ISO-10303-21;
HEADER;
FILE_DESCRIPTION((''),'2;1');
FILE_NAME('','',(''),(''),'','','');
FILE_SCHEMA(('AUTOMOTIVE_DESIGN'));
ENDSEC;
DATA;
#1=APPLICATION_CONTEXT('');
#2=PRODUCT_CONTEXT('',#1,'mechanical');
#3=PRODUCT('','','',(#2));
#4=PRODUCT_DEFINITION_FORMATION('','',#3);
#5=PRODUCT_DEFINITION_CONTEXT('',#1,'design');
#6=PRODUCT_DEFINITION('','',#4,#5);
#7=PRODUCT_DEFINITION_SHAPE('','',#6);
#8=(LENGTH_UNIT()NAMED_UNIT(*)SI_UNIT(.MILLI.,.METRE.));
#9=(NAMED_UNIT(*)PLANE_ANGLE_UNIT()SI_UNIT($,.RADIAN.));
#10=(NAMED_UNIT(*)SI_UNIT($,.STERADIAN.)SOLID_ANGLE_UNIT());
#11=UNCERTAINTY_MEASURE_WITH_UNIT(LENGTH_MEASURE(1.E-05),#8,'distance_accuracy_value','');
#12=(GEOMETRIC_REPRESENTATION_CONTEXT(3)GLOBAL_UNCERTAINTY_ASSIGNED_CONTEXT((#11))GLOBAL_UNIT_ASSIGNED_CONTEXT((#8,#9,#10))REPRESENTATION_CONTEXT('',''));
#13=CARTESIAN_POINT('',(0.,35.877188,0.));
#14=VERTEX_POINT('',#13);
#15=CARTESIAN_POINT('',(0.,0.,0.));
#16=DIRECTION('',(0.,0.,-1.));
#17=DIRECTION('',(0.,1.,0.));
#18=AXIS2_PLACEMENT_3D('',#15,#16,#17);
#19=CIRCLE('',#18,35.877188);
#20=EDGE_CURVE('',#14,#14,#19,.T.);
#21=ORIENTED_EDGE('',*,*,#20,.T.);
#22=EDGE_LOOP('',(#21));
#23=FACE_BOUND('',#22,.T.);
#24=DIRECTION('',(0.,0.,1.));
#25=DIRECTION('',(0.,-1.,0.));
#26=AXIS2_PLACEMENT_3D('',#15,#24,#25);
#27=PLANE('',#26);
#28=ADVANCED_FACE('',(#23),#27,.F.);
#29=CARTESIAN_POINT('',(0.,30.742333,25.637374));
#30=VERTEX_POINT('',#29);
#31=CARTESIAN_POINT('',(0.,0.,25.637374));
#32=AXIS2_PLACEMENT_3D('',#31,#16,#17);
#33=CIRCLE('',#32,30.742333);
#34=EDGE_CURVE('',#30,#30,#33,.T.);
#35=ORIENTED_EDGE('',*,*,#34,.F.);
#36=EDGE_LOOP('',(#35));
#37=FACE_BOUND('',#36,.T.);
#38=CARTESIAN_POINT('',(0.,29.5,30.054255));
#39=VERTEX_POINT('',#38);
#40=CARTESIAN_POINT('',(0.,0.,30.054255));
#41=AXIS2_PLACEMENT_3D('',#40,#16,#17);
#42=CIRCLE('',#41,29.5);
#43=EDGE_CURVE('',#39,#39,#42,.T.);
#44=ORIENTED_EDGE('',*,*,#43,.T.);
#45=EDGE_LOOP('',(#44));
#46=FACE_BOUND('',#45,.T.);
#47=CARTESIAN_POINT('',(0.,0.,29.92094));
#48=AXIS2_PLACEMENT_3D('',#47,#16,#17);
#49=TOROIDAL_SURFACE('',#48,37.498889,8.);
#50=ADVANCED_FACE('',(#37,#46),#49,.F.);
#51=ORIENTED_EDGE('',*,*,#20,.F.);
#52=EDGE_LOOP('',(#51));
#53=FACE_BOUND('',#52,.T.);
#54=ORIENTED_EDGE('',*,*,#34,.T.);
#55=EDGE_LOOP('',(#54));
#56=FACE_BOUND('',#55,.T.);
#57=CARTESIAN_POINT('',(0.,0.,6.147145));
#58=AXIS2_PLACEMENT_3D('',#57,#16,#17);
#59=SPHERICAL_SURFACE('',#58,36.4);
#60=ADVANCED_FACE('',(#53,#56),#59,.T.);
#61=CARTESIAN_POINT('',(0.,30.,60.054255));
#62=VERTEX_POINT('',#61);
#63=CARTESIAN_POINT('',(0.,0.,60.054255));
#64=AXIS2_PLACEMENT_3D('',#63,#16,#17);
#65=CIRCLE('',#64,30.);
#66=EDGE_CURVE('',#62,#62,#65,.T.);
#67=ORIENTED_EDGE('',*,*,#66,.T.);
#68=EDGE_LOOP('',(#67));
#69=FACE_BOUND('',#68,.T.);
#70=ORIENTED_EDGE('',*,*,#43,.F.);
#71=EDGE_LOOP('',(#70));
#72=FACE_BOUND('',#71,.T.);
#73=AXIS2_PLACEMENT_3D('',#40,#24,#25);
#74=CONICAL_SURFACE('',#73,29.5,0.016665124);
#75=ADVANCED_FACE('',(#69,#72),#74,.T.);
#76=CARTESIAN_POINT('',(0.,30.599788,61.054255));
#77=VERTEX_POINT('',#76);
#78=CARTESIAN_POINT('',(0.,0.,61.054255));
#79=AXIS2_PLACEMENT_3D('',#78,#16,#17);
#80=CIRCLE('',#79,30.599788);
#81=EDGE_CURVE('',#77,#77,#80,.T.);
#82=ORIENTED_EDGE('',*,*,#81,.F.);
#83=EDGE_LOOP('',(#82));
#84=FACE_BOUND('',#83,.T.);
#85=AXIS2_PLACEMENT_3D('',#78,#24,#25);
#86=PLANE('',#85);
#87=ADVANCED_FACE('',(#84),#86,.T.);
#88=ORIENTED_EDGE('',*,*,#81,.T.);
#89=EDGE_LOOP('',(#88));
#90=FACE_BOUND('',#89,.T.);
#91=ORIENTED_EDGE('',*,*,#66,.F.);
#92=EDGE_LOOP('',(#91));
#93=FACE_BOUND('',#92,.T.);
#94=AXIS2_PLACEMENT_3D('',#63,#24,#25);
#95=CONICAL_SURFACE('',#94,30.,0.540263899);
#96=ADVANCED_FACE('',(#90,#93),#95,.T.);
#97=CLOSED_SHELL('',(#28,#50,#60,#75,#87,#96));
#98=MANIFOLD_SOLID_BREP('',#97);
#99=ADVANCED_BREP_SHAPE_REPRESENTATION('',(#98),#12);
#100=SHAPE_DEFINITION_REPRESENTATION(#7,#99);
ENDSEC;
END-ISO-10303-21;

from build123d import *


with BuildPart() as part:
    # Sketch1 → Revolve1 (revolve)
    with BuildSketch(Plane(origin=(0, 0, 0), x_dir=(0, 0, -1), z_dir=(1, 0, 0))):
        with BuildLine():
            Line((0, 0), (-50.959835356, 0))
            Line((-50.959835356, 0), (-61.054255014, 0))
            Line((-61.054255014, 0), (-61.054255014, 30.599788402))
            Line((-61.054255014, 30.599788402), (-60.054255014, 30))
            Line((-60.054255014, 30), (-30.054255014, 29.5))
            ThreePointArc((-30.054255014, 29.5), (-27.754838856, 29.797720054), (-25.637373582, 30.742332522))
            ThreePointArc((-25.637373582, 30.742332522), (-22.902920152, 32.314145749), (-20.042663952, 33.643343571))
            ThreePointArc((-20.042663952, 33.643343571), (-10.179122164, 36.1760026), (0, 35.877187771))
            Line((0, 35.877187771), (0, 34.862194457))
            Line((0, 34.862194457), (0, 0))
        make_face()
    revolve(axis=Axis((0, 0, 0), (0, 0, 1)))


solid = part.part
